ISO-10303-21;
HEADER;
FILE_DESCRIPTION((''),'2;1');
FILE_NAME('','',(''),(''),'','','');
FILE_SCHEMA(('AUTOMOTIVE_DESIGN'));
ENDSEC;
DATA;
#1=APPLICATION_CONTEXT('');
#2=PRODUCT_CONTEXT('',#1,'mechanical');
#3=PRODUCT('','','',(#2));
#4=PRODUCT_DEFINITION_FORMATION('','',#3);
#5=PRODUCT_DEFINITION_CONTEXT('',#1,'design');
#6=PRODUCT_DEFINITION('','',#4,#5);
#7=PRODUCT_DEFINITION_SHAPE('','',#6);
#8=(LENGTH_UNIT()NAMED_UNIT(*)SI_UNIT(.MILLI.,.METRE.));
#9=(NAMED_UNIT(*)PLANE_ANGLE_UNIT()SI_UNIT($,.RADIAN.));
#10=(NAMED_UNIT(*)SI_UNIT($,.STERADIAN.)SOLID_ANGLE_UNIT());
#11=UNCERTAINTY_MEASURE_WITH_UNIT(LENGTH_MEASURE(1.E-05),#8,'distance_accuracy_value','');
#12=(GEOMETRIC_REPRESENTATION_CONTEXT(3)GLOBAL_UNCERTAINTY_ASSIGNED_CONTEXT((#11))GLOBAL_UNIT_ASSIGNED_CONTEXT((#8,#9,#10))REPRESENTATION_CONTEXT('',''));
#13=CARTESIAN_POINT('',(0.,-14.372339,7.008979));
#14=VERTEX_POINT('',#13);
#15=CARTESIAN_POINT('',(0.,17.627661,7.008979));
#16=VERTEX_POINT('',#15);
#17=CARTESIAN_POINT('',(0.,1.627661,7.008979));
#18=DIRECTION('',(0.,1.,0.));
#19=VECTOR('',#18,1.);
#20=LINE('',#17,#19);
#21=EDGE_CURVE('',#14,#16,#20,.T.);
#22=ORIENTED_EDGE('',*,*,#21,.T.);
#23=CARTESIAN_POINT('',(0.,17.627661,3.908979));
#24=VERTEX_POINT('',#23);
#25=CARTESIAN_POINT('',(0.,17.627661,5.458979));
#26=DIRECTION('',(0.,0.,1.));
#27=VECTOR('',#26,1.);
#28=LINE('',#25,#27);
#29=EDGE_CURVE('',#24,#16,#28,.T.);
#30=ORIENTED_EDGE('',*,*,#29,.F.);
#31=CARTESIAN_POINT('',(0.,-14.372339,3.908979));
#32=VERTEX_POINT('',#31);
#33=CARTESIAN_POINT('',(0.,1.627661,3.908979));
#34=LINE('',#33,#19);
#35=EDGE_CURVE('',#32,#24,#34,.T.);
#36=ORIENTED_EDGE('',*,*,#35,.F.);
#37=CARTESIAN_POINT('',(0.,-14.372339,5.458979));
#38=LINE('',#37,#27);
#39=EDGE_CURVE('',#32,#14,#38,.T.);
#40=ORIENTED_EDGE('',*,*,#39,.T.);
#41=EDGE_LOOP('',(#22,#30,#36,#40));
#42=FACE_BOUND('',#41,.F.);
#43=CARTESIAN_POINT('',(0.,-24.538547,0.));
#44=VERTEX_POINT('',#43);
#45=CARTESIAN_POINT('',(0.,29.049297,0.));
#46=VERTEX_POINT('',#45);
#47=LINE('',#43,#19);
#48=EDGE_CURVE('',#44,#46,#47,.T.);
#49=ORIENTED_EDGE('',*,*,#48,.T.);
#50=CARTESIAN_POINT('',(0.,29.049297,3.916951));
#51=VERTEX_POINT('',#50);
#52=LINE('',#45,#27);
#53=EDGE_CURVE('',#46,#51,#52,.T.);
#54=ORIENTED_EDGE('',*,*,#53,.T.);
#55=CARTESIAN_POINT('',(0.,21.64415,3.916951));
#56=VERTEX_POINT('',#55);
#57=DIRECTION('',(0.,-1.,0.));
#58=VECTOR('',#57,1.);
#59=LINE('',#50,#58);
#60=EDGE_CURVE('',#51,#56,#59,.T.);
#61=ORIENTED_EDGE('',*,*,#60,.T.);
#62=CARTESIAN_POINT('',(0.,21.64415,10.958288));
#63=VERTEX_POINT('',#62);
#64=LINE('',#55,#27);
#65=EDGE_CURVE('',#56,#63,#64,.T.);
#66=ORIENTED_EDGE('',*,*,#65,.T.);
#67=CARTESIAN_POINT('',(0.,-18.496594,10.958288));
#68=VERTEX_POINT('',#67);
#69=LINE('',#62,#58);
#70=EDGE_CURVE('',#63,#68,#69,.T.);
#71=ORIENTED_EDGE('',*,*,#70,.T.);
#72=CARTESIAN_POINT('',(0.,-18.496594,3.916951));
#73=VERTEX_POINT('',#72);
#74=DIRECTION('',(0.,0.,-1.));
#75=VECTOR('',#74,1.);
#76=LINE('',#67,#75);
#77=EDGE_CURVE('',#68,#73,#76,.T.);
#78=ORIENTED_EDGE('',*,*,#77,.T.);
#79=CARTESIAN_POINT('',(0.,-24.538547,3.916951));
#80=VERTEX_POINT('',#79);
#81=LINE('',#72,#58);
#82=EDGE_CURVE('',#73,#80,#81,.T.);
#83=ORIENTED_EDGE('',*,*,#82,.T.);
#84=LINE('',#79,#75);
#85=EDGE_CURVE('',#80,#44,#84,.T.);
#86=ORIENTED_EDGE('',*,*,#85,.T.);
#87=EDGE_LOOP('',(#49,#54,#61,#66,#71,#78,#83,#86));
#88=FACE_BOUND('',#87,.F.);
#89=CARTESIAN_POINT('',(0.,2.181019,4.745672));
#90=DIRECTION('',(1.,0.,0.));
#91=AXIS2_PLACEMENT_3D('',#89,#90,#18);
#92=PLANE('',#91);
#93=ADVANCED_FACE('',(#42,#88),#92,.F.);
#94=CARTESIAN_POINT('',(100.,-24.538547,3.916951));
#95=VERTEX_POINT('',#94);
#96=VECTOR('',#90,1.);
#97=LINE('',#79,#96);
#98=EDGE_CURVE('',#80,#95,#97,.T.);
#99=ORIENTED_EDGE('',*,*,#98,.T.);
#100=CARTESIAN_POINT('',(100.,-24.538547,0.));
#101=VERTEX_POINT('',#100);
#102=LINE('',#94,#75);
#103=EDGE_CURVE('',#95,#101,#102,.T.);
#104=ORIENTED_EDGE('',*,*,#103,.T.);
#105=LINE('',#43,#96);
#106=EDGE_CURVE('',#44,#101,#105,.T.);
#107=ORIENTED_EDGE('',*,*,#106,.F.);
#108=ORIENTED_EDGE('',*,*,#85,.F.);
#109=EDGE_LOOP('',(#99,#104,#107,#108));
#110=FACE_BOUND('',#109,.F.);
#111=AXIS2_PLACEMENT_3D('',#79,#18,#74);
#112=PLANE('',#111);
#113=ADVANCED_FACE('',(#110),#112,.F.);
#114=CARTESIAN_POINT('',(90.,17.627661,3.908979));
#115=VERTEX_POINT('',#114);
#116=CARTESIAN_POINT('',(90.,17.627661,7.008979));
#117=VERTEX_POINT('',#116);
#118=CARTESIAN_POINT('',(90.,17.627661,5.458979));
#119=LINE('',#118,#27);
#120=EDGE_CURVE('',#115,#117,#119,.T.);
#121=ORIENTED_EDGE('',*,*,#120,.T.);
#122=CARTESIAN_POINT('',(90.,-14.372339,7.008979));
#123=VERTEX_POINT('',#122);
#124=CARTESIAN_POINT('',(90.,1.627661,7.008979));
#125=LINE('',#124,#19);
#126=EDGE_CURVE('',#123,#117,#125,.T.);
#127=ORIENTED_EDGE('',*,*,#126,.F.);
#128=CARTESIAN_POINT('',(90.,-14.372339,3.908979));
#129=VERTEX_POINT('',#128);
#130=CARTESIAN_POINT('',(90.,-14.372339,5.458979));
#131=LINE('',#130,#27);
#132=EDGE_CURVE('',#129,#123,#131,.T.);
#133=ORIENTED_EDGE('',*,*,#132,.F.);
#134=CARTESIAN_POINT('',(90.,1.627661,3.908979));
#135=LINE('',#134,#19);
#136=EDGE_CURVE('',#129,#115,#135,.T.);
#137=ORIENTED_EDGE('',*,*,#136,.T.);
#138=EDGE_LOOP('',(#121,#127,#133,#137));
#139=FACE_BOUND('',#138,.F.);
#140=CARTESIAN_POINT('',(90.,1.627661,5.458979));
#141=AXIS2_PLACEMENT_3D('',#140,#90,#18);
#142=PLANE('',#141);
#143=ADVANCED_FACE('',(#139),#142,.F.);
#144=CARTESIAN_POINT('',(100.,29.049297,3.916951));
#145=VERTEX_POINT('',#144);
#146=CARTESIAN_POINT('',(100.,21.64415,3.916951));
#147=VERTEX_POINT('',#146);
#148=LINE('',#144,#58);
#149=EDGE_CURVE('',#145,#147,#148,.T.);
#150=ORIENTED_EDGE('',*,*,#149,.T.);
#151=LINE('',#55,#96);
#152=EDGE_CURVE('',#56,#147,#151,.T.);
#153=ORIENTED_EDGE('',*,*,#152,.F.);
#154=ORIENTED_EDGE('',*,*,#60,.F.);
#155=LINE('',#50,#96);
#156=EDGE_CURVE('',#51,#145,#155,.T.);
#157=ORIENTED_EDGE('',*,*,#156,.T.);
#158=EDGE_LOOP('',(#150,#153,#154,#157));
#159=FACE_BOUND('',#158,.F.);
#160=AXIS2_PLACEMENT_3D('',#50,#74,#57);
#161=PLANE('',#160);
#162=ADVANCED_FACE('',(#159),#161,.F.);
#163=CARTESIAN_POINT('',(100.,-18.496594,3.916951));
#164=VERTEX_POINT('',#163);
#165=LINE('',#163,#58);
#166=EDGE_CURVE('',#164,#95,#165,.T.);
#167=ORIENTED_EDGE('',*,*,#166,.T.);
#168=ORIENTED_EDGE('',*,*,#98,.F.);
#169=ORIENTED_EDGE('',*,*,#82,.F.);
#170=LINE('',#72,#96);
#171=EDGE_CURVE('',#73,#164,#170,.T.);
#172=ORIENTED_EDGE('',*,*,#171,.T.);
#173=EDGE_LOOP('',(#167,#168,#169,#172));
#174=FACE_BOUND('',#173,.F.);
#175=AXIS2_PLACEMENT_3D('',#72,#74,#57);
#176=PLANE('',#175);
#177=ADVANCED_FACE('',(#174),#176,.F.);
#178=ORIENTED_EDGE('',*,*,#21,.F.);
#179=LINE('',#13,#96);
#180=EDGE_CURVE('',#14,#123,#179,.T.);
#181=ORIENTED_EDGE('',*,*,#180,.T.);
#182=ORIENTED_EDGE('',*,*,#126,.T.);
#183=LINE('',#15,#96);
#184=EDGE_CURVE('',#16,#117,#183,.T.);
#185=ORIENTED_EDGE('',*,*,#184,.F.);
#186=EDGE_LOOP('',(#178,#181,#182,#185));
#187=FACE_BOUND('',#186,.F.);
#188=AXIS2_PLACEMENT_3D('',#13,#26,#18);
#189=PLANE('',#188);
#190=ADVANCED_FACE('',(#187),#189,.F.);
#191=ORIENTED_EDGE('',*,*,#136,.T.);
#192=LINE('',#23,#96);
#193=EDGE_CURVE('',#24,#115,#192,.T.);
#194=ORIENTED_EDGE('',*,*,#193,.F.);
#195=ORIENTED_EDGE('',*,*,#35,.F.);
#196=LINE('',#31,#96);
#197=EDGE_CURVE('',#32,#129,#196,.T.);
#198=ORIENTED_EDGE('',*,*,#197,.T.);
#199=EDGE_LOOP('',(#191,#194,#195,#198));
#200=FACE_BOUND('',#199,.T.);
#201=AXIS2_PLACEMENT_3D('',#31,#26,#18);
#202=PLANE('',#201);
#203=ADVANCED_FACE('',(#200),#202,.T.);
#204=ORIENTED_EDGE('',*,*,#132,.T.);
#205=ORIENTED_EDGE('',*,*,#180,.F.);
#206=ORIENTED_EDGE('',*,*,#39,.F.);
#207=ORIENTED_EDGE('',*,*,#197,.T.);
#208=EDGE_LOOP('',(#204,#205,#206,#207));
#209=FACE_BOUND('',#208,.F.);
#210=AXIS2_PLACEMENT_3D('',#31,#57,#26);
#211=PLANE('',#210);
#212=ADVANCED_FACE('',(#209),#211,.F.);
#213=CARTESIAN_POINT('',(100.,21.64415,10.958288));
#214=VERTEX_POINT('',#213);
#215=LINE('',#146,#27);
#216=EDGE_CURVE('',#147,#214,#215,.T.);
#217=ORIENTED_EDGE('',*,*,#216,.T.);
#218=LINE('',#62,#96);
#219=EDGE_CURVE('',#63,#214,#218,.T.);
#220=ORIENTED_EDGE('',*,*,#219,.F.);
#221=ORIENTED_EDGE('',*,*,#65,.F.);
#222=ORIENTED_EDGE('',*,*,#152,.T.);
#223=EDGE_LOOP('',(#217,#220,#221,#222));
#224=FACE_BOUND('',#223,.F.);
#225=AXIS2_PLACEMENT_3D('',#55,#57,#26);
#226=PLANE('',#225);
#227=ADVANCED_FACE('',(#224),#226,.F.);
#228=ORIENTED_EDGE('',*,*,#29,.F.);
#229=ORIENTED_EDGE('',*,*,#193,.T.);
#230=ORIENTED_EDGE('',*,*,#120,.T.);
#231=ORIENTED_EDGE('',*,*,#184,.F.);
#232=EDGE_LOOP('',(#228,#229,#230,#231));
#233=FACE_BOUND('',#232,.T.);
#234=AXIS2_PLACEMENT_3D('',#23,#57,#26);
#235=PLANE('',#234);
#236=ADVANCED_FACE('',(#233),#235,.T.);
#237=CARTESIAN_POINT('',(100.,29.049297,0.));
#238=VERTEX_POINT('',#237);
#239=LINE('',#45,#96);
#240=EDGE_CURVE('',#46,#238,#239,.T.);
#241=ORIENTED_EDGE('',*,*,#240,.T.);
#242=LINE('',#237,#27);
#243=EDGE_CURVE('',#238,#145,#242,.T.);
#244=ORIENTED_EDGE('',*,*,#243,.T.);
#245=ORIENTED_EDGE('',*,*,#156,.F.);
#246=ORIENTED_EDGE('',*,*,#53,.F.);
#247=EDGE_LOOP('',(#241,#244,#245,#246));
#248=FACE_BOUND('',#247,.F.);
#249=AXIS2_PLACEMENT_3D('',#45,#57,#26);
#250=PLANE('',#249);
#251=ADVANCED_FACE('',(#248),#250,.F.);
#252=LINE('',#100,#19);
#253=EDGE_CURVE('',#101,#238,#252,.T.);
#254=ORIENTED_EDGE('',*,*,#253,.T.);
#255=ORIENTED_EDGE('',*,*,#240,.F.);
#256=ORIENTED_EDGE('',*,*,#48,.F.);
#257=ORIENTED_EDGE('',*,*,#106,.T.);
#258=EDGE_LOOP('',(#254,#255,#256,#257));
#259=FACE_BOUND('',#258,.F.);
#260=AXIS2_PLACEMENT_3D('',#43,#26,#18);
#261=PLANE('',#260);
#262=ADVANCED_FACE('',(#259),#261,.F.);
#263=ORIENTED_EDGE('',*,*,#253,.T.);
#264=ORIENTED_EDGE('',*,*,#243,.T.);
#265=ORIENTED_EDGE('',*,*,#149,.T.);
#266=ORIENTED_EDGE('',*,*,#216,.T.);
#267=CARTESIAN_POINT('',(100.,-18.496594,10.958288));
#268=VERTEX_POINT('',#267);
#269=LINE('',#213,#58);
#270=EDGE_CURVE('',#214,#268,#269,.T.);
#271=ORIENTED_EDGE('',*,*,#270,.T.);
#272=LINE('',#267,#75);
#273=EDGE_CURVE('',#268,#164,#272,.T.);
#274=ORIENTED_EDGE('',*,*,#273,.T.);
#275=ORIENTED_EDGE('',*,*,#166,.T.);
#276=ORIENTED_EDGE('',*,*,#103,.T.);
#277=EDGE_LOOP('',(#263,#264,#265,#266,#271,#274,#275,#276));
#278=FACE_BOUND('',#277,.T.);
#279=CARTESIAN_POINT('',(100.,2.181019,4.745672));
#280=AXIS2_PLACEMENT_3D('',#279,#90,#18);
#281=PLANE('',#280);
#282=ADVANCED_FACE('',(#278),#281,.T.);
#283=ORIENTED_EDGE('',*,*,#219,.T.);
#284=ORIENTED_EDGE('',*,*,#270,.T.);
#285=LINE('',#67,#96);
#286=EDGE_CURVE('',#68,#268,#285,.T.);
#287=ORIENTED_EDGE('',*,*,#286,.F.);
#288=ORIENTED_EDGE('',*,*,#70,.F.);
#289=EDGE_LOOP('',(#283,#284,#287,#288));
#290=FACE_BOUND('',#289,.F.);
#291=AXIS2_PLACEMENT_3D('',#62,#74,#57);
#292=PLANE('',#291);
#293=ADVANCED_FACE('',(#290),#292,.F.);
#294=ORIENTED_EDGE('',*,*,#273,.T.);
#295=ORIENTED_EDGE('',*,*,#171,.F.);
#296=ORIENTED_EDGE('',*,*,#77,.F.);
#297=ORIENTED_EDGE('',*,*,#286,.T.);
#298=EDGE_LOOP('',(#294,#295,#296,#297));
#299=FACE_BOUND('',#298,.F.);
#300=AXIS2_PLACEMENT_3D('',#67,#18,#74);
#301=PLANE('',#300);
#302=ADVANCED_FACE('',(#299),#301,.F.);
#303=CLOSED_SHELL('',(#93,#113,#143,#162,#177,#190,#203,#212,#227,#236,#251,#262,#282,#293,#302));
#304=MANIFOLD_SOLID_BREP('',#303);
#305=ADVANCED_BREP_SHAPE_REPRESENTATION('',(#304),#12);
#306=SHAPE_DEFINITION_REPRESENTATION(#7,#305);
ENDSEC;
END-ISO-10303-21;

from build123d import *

# Parameters (mm, degrees)
F0_W     = 32
F0_H     = 3.1
F1_DEPTH = 100
F2_DEPTH = 90


with BuildPart() as f1:
    # F0 (on Right) → F1 (new body)
    with BuildSketch(Plane.YZ):
        Polygon((-24.5385469525, 0), (0, 0), (29.0492966146, 0), (29.0492966146, 3.9169512209), (21.6441504219, 3.9169512209), (21.6441504219, 10.9582875453), (-18.4965940373, 10.9582875453), (-18.4965940373, 3.9169512209), (-24.5385469525, 3.9169512209), align=None)
        with Locations((1.6276613058, 5.4589794578)):
            Rectangle(F0_W, F0_H, mode=Mode.SUBTRACT)
        with Locations((1.6276613058, 5.4589794578)):
            Rectangle(F0_W, F0_H)
    extrude(amount=F1_DEPTH)

    # F0 (on Right) → F2 (cut, through all)
    with BuildSketch(Plane.YZ):
        with Locations((1.6276613058, 5.4589794578)):
            Rectangle(F0_W, F0_H)
    extrude(amount=F2_DEPTH, mode=Mode.SUBTRACT)


solid = f1.part
